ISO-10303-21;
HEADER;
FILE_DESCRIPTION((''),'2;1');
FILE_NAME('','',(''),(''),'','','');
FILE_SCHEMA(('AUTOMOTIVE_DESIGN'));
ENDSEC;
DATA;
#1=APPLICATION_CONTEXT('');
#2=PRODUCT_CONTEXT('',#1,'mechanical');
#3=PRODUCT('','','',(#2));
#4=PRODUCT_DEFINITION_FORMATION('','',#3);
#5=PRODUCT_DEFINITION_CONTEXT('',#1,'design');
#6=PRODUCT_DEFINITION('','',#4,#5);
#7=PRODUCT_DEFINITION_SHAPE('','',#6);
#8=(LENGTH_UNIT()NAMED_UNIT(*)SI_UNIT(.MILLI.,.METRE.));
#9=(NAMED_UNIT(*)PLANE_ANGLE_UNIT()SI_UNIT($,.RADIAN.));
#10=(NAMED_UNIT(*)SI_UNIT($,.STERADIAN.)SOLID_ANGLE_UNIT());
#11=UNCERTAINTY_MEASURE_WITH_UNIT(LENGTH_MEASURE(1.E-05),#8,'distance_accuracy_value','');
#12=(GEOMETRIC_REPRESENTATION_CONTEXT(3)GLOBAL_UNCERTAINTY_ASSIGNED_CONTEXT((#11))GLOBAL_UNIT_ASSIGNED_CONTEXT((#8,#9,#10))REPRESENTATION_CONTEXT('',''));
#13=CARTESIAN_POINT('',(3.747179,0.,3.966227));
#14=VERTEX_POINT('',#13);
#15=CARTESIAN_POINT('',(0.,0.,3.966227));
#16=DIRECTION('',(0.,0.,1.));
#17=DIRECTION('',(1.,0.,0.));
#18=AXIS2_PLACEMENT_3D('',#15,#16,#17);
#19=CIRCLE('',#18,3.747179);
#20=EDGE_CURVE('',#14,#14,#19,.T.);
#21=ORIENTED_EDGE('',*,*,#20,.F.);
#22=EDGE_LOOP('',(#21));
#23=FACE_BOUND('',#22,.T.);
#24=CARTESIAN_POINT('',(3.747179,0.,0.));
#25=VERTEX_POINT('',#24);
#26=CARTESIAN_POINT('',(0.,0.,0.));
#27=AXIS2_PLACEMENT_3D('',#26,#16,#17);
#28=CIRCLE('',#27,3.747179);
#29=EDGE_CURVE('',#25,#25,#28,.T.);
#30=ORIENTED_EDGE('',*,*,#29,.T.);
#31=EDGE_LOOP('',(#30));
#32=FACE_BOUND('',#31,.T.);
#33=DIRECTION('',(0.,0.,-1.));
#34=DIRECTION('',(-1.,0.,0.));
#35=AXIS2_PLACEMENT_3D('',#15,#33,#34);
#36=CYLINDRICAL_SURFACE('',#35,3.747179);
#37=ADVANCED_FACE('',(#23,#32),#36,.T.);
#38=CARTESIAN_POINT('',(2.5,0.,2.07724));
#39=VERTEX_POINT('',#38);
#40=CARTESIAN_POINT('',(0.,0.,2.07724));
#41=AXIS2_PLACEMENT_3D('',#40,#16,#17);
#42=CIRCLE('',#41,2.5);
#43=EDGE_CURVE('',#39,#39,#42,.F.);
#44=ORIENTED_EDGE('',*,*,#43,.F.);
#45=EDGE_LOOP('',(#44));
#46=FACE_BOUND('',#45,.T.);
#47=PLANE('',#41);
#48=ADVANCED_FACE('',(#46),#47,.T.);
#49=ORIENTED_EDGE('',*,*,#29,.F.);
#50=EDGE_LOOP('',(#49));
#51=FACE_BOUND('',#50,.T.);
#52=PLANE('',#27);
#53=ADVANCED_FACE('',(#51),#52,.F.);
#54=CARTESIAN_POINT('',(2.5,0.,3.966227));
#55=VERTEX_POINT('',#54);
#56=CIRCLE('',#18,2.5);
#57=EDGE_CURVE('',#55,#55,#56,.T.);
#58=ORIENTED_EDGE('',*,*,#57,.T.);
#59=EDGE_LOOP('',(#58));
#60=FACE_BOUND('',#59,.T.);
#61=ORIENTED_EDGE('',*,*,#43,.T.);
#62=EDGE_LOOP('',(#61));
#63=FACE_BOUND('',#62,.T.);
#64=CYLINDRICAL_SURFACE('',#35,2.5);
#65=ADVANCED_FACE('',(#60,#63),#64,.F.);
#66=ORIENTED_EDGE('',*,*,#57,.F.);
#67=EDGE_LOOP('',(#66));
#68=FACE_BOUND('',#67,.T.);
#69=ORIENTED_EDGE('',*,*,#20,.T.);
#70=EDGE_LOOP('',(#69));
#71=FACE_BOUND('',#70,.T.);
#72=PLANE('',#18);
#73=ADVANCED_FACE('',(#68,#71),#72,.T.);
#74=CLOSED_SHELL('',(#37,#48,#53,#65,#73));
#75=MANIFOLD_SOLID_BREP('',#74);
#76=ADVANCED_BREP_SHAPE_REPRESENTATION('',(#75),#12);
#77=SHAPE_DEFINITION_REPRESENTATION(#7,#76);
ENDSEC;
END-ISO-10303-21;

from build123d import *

# Parameters (mm, degrees)
SKETCH_1_R      = 2.5
EXTRUDE_1_DEPTH = 2.07724007
SKETCH_1_3_R    = 3.747179144
SKETCH_1_3_R_2  = 2.5
EXTRUDE_2_DEPTH = 3.966227496


with BuildPart() as part:
    # 스케치1 → 보스-돌출1 (new body)
    with BuildSketch(Plane.XY):
        Circle(SKETCH_1_R)
    extrude(amount=EXTRUDE_1_DEPTH)

    # 스케치1<3> → 보스-돌출2 (add)
    with BuildSketch(Plane.XY):
        Circle(SKETCH_1_3_R)
        Circle(SKETCH_1_3_R_2, mode=Mode.SUBTRACT)
    extrude(amount=EXTRUDE_2_DEPTH)


solid = part.part
